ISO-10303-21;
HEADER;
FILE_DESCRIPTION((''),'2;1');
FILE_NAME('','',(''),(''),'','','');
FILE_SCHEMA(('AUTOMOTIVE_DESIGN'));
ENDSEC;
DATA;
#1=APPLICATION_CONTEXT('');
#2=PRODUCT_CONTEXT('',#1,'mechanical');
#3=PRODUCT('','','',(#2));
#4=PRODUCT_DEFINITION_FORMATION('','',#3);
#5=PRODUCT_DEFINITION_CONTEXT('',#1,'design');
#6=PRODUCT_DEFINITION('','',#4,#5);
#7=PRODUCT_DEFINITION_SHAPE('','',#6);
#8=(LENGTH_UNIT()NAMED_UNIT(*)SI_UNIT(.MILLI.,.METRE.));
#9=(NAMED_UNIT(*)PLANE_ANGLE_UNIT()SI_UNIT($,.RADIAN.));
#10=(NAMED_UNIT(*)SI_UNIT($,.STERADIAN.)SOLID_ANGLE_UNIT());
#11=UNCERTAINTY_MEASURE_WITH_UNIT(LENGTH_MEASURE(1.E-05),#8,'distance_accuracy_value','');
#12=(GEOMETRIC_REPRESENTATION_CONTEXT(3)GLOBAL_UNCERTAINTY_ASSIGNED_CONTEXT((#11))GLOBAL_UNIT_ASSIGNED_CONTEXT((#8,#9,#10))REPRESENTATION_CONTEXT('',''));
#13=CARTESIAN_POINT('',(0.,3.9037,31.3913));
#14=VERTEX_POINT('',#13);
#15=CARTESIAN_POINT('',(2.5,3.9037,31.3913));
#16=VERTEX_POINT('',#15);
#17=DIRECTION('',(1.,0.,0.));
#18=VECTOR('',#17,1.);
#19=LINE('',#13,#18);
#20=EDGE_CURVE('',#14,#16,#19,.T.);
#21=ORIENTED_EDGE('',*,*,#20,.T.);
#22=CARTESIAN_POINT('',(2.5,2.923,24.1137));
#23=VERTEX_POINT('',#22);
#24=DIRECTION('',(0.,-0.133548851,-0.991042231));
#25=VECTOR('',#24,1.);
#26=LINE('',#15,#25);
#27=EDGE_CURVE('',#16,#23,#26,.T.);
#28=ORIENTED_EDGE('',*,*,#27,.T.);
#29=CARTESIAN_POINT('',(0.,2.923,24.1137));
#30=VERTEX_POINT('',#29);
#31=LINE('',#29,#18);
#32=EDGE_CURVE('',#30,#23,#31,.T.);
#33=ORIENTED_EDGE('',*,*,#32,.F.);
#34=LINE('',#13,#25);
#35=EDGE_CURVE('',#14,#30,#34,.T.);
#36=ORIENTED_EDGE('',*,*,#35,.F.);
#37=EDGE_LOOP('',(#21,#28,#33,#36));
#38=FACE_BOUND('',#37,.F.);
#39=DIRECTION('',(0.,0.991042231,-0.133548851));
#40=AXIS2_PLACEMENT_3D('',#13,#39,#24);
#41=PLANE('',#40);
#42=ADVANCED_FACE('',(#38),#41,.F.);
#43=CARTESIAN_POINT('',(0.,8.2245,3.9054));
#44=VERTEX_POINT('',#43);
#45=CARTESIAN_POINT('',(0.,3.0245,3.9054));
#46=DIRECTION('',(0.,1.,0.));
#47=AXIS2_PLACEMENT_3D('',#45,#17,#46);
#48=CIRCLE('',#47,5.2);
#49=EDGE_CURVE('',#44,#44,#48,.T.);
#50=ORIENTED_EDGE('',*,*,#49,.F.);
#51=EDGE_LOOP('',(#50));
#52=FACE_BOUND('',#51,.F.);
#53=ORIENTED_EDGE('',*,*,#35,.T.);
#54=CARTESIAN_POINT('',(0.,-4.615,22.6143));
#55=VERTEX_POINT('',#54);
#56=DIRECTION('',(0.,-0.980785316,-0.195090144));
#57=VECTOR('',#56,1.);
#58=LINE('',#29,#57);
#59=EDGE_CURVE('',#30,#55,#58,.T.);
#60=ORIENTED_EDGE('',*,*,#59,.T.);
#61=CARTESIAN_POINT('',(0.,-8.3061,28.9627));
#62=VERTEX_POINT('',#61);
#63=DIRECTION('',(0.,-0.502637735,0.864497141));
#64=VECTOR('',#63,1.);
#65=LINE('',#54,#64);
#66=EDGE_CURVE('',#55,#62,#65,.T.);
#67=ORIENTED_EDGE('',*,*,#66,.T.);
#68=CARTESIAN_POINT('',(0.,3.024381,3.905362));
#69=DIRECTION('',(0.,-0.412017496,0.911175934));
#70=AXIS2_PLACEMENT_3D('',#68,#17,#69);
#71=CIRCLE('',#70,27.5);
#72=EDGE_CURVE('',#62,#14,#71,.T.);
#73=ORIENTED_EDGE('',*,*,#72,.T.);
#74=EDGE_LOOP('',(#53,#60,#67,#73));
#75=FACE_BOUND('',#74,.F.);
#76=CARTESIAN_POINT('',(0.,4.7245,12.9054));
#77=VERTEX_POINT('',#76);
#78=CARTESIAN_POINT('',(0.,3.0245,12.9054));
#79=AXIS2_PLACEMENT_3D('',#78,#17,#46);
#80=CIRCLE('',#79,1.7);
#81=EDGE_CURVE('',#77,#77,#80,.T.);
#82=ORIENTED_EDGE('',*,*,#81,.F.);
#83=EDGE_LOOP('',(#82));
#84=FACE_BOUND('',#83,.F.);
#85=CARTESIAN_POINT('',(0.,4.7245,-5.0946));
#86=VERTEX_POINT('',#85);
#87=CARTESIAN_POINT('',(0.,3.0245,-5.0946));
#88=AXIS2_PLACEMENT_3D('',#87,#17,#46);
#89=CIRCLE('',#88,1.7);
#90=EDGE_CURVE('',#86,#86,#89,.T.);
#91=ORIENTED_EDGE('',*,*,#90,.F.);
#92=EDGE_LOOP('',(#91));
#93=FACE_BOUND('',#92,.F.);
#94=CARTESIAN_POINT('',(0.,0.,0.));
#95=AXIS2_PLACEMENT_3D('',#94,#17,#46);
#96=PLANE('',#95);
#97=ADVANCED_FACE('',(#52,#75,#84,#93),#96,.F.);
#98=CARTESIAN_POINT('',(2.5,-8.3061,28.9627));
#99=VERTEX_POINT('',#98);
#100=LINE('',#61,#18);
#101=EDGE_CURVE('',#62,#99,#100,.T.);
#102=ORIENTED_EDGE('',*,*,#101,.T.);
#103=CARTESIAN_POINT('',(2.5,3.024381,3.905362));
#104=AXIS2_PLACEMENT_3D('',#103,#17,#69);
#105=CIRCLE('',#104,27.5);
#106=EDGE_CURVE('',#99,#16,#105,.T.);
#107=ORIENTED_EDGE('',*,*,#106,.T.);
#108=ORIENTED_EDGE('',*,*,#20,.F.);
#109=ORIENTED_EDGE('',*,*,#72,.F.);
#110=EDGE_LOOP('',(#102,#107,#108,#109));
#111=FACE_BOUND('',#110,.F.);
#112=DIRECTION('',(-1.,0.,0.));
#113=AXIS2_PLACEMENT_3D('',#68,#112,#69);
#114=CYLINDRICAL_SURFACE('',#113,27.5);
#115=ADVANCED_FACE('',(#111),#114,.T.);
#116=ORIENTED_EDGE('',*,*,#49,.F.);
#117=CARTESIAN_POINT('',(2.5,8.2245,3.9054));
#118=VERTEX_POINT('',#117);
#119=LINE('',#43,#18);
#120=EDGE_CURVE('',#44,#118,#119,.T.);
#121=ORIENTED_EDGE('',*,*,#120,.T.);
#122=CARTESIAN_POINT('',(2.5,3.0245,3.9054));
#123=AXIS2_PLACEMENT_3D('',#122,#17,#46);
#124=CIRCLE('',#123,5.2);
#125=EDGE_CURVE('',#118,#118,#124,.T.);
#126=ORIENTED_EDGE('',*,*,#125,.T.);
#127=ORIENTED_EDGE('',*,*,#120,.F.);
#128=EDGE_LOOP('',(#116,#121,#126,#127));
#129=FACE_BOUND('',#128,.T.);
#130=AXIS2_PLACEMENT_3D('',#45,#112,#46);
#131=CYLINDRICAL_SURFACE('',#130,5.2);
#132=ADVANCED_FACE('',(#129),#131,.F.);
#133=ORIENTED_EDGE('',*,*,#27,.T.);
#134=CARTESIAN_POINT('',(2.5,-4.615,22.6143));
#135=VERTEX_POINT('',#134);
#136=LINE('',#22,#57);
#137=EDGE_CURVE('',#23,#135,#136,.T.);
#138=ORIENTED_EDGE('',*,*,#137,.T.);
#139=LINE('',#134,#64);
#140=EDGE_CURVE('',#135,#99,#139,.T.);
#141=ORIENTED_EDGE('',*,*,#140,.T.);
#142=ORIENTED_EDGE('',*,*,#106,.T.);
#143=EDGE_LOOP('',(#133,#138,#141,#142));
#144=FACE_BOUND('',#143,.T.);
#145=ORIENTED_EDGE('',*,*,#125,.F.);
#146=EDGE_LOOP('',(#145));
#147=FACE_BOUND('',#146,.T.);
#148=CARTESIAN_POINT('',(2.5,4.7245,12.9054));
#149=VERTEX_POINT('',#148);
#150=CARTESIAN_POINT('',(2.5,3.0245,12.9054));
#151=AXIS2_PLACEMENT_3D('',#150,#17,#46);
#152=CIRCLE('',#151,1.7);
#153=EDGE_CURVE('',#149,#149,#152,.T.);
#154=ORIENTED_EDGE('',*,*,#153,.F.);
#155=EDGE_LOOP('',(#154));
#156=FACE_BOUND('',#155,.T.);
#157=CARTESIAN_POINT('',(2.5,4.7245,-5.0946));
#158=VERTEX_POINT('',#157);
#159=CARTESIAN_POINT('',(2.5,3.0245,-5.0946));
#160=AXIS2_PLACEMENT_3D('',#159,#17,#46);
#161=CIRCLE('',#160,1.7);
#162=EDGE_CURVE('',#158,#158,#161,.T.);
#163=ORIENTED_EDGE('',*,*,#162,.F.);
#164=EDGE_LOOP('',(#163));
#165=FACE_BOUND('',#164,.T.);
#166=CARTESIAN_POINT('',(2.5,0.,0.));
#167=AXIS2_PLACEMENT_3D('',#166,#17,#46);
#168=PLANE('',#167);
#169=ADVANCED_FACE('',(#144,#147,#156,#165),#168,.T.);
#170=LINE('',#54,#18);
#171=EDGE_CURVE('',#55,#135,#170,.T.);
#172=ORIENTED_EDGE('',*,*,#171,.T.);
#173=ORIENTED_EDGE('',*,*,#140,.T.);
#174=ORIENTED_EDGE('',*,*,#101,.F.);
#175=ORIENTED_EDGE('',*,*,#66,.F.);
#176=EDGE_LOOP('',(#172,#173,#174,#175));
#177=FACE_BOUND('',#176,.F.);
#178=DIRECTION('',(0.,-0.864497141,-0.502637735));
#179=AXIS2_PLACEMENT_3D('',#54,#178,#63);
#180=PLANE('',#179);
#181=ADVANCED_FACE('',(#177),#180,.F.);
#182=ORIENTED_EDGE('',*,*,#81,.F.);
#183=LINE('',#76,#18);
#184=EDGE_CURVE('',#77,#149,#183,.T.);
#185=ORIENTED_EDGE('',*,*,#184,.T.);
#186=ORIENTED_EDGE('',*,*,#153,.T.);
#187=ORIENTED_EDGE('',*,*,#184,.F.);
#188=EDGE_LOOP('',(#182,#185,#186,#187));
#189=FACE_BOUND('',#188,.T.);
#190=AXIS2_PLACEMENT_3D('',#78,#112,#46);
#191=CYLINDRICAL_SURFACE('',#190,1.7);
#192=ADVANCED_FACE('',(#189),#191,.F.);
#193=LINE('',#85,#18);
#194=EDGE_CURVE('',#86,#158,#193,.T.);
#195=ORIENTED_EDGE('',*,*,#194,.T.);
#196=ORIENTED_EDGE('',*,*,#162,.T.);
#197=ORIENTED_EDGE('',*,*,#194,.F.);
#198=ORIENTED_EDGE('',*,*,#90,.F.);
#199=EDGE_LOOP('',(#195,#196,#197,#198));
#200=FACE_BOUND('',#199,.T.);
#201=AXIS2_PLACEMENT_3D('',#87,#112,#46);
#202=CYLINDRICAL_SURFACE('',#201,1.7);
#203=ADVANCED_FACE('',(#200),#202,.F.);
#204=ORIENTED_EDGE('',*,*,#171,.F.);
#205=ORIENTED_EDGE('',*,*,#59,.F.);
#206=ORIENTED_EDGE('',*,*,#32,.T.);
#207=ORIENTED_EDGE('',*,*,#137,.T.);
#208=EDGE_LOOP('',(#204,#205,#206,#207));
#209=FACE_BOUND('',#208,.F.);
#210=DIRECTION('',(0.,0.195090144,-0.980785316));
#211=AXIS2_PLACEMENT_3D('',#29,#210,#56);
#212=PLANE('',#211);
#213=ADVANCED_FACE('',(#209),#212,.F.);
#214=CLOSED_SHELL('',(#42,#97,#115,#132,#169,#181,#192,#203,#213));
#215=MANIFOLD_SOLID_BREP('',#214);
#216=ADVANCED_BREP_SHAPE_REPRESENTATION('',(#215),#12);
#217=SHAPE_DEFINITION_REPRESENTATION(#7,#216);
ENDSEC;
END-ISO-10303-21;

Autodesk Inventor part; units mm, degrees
ref_plane "YZ Plane" through (0, 0, 0) normal (1, 0, 0) x (0, 1, 0)
ref_plane "XZ Plane" through (0, 0, 0) normal (0, 1, 0) x (-1, 0, 0)
ref_plane "XY Plane" through (0, 0, 0) normal (0, 0, 1) x (1, 0, 0)
sketch "スケッチ1" plane through (0, 0, 0) normal (1, 0, 0) x (0, 1, 0)
  line L0 (-4.615, 22.6143) -> (-8.3061, 28.9627)
  arc A0 (-8.3061, 28.9627) -> (3.9037, 31.3913) centre (3.0245, 3.9054) ccw
  line L1 (3.9037, 31.3913) -> (2.923, 24.1137)
  line L2 (2.923, 24.1137) -> (-4.615, 22.6143)
  circle A1 centre (3.0245, -5.0946) radius 1.7
  circle A2 centre (3.0245, 12.9054) radius 1.7
  circle A3 centre (3.0245, 3.9054) radius 5.2
  point P0 (0, 0)
extrude "押し出し1" add sketch "スケッチ1" along normal blind 2.5
properties part number "belt_liner_v1_3DP_P_F-1" material "ABS プラスチック"
